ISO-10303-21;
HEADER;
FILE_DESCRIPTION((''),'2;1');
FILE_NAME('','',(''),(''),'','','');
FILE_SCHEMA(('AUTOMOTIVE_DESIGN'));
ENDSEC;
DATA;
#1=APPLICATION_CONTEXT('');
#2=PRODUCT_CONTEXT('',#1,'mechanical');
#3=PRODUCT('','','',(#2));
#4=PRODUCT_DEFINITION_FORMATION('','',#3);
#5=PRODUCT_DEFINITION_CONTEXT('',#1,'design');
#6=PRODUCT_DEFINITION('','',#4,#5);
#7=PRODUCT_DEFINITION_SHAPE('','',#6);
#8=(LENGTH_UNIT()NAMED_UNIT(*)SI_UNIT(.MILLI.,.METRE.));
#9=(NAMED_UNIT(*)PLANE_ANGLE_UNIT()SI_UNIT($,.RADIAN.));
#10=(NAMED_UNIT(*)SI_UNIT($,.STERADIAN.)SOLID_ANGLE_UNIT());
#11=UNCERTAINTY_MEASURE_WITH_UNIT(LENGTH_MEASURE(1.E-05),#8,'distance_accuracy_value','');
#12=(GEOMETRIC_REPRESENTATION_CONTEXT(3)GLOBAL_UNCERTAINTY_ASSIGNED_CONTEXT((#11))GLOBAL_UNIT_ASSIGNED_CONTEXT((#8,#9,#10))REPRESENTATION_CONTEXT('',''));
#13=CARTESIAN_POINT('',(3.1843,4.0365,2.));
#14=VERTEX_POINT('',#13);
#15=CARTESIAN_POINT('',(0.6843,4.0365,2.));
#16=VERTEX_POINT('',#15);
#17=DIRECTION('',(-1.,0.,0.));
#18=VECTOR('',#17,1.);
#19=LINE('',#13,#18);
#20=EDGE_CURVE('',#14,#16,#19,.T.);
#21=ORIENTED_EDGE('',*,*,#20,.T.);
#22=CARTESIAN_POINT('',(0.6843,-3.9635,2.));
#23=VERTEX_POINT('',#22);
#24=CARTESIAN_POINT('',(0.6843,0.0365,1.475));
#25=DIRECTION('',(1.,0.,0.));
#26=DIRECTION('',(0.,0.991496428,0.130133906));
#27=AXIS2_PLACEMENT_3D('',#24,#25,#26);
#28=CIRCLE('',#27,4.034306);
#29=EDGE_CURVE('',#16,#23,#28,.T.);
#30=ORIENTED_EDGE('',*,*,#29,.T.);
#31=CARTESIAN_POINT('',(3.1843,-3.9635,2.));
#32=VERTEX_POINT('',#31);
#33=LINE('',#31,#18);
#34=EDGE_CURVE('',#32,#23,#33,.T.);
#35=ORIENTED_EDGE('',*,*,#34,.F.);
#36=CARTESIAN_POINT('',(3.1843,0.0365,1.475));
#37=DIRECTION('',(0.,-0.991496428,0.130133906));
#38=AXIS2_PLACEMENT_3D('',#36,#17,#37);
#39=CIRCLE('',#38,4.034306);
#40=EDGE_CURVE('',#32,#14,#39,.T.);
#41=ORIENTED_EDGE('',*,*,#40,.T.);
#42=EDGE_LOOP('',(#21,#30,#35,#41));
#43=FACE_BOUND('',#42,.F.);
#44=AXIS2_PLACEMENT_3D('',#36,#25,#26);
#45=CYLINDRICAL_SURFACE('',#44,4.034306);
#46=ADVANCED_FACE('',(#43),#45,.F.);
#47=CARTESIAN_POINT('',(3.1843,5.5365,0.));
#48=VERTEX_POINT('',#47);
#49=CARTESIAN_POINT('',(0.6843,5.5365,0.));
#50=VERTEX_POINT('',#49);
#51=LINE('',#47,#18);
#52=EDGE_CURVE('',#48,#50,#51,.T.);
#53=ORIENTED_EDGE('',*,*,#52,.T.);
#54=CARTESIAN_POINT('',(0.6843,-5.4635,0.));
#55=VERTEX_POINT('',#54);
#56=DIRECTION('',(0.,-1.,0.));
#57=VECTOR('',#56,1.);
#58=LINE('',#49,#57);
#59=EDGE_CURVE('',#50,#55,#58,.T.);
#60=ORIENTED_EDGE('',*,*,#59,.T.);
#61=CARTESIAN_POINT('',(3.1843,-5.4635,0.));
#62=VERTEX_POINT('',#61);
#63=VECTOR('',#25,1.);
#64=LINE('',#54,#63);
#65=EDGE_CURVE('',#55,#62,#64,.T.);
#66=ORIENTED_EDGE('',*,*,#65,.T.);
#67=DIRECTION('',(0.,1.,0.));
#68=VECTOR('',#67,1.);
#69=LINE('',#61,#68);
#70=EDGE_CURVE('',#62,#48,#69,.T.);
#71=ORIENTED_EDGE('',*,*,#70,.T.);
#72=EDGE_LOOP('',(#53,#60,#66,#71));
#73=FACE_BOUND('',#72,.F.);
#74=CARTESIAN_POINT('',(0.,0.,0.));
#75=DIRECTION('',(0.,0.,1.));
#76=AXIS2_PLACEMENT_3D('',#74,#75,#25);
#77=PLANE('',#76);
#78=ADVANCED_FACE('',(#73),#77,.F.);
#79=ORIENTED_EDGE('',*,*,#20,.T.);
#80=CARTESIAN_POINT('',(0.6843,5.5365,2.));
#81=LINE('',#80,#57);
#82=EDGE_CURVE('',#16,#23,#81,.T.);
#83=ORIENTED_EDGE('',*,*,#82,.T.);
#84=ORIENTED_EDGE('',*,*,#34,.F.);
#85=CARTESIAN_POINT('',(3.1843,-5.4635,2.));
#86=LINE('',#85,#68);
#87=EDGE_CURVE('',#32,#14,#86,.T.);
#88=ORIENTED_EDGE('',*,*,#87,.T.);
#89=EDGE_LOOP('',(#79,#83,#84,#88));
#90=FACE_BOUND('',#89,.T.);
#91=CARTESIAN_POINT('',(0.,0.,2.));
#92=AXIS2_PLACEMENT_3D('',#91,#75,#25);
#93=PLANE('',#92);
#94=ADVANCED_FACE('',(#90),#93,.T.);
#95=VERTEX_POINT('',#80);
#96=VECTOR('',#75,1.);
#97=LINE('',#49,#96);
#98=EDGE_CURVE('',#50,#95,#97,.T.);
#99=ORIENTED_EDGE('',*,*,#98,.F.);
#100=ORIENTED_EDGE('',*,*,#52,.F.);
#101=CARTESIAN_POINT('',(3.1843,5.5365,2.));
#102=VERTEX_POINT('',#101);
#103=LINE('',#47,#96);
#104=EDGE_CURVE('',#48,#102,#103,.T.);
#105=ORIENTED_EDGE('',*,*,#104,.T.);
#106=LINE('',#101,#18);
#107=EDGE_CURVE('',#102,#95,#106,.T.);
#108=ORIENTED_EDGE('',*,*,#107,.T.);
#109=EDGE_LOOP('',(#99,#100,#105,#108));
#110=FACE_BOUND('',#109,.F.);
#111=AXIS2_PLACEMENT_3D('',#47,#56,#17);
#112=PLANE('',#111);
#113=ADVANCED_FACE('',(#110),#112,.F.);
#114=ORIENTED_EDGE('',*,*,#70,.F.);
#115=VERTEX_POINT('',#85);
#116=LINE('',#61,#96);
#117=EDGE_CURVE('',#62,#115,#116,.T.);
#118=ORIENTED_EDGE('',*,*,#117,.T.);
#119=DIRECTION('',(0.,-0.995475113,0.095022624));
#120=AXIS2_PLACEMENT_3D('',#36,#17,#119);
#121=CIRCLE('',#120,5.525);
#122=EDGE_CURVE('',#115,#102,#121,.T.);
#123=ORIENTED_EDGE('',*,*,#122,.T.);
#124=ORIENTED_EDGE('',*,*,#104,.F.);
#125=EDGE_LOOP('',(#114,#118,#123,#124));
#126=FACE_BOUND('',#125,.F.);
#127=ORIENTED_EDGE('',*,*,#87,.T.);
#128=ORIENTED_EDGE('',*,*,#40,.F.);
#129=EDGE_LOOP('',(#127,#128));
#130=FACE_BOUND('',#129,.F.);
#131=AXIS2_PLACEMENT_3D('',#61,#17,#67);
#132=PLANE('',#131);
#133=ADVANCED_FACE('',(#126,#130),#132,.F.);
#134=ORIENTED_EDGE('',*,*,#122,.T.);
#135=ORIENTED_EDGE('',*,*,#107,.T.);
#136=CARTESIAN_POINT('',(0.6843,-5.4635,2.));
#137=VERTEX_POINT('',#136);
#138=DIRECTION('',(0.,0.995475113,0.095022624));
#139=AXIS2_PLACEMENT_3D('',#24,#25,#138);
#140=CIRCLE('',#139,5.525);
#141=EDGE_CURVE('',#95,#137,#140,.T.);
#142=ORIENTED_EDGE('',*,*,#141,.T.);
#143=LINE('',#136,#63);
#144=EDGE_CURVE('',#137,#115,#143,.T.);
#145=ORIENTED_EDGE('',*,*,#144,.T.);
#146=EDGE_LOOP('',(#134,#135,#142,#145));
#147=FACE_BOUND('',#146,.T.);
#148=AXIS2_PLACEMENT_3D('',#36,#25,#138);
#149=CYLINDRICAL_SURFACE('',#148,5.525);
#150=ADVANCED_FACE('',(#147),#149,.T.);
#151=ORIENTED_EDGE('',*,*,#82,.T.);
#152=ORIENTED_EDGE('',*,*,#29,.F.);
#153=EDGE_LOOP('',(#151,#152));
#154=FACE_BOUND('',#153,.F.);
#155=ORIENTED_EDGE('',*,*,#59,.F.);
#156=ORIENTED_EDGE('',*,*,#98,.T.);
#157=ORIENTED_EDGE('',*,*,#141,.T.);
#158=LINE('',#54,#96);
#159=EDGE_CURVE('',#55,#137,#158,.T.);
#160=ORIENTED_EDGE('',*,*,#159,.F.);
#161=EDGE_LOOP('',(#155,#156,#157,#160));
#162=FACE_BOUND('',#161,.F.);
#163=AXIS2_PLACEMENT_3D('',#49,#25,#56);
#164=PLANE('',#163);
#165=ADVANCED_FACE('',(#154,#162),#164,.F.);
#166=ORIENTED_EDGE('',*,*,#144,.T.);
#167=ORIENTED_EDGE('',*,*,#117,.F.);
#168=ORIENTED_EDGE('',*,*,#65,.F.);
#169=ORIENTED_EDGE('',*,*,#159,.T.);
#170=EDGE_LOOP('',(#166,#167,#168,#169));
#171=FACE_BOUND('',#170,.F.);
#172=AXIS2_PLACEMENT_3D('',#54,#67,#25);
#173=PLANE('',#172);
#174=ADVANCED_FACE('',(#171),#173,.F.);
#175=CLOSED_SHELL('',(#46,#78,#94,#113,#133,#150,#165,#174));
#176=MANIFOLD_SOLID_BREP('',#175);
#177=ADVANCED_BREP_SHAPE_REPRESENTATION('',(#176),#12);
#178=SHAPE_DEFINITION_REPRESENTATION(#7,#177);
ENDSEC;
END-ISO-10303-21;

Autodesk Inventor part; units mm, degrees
ref_plane "YZ Plane" through (0, 0, 0) normal (1, 0, 0) x (0, 1, 0)
ref_plane "XZ Plane" through (0, 0, 0) normal (0, 1, 0) x (-1, 0, 0)
ref_plane "XY Plane" through (0, 0, 0) normal (0, 0, 1) x (1, 0, 0)
sketch "Sketch1" plane through (0, 0, 0) normal (0, 0, 1) x (1, 0, 0)
  circle A0 centre (1.9343, 0.0365) radius 1.25 construction
  line L0 (0.6843, -5.4635) -> (3.1843, -5.4635)
  line L1 (3.1843, -5.4635) -> (3.1843, 5.5365)
  line L2 (3.1843, 5.5365) -> (0.6843, 5.5365)
  line L3 (0.6843, 5.5365) -> (0.6843, -5.4635)
  line L4 (0.6843, -5.4635) -> (3.1843, 5.5365) construction
  line L5 (3.1843, -5.4635) -> (0.6843, 5.5365) construction
  point P0 (0, 0)
  dimension "d0" = 11
  dimension "d1" = 2.5
extrude "Extrusion1" add sketch "Sketch1" along normal blind 2
sketch "Sketch2" plane through (3.1843, -5.4635, 0) normal (1, 0, 0) x (0, 0, -1)
  line L0 (-2, 0) -> (-2, 11) projected
  line L1 (-2, 0) -> (-2, 11)
  line L2 (-2, 5.5) -> (-7, 5.5)
  arc A0 (-2, 11) -> (-2, 0) centre (-1.475, 5.5) ccw
  line L3 (-2, 0) -> (-2, 1.5)
  line L4 (-2, 11) -> (-2, 9.5)
  line L5 (-7, 5.5) -> (-5.5, 5.5)
  arc A1 (-2, 9.5) -> (-2, 1.5) centre (-1.475, 5.5) ccw
  point P0 (0, 5.4635)
  dimension "d4" = 5
  dimension "d5" = 1.5
  dimension "d6" = 1.5
  dimension "d7" = 1.5
extrude "Extrusion2" add sketch "Sketch2" against normal up to surface (2.5 mm away) contours A0 L2 A1 L0 | A0 L0 A1 L2
equation "\"d6\" = d5"
equation "\"d7\" = d5"
properties part number "hook_loop"
